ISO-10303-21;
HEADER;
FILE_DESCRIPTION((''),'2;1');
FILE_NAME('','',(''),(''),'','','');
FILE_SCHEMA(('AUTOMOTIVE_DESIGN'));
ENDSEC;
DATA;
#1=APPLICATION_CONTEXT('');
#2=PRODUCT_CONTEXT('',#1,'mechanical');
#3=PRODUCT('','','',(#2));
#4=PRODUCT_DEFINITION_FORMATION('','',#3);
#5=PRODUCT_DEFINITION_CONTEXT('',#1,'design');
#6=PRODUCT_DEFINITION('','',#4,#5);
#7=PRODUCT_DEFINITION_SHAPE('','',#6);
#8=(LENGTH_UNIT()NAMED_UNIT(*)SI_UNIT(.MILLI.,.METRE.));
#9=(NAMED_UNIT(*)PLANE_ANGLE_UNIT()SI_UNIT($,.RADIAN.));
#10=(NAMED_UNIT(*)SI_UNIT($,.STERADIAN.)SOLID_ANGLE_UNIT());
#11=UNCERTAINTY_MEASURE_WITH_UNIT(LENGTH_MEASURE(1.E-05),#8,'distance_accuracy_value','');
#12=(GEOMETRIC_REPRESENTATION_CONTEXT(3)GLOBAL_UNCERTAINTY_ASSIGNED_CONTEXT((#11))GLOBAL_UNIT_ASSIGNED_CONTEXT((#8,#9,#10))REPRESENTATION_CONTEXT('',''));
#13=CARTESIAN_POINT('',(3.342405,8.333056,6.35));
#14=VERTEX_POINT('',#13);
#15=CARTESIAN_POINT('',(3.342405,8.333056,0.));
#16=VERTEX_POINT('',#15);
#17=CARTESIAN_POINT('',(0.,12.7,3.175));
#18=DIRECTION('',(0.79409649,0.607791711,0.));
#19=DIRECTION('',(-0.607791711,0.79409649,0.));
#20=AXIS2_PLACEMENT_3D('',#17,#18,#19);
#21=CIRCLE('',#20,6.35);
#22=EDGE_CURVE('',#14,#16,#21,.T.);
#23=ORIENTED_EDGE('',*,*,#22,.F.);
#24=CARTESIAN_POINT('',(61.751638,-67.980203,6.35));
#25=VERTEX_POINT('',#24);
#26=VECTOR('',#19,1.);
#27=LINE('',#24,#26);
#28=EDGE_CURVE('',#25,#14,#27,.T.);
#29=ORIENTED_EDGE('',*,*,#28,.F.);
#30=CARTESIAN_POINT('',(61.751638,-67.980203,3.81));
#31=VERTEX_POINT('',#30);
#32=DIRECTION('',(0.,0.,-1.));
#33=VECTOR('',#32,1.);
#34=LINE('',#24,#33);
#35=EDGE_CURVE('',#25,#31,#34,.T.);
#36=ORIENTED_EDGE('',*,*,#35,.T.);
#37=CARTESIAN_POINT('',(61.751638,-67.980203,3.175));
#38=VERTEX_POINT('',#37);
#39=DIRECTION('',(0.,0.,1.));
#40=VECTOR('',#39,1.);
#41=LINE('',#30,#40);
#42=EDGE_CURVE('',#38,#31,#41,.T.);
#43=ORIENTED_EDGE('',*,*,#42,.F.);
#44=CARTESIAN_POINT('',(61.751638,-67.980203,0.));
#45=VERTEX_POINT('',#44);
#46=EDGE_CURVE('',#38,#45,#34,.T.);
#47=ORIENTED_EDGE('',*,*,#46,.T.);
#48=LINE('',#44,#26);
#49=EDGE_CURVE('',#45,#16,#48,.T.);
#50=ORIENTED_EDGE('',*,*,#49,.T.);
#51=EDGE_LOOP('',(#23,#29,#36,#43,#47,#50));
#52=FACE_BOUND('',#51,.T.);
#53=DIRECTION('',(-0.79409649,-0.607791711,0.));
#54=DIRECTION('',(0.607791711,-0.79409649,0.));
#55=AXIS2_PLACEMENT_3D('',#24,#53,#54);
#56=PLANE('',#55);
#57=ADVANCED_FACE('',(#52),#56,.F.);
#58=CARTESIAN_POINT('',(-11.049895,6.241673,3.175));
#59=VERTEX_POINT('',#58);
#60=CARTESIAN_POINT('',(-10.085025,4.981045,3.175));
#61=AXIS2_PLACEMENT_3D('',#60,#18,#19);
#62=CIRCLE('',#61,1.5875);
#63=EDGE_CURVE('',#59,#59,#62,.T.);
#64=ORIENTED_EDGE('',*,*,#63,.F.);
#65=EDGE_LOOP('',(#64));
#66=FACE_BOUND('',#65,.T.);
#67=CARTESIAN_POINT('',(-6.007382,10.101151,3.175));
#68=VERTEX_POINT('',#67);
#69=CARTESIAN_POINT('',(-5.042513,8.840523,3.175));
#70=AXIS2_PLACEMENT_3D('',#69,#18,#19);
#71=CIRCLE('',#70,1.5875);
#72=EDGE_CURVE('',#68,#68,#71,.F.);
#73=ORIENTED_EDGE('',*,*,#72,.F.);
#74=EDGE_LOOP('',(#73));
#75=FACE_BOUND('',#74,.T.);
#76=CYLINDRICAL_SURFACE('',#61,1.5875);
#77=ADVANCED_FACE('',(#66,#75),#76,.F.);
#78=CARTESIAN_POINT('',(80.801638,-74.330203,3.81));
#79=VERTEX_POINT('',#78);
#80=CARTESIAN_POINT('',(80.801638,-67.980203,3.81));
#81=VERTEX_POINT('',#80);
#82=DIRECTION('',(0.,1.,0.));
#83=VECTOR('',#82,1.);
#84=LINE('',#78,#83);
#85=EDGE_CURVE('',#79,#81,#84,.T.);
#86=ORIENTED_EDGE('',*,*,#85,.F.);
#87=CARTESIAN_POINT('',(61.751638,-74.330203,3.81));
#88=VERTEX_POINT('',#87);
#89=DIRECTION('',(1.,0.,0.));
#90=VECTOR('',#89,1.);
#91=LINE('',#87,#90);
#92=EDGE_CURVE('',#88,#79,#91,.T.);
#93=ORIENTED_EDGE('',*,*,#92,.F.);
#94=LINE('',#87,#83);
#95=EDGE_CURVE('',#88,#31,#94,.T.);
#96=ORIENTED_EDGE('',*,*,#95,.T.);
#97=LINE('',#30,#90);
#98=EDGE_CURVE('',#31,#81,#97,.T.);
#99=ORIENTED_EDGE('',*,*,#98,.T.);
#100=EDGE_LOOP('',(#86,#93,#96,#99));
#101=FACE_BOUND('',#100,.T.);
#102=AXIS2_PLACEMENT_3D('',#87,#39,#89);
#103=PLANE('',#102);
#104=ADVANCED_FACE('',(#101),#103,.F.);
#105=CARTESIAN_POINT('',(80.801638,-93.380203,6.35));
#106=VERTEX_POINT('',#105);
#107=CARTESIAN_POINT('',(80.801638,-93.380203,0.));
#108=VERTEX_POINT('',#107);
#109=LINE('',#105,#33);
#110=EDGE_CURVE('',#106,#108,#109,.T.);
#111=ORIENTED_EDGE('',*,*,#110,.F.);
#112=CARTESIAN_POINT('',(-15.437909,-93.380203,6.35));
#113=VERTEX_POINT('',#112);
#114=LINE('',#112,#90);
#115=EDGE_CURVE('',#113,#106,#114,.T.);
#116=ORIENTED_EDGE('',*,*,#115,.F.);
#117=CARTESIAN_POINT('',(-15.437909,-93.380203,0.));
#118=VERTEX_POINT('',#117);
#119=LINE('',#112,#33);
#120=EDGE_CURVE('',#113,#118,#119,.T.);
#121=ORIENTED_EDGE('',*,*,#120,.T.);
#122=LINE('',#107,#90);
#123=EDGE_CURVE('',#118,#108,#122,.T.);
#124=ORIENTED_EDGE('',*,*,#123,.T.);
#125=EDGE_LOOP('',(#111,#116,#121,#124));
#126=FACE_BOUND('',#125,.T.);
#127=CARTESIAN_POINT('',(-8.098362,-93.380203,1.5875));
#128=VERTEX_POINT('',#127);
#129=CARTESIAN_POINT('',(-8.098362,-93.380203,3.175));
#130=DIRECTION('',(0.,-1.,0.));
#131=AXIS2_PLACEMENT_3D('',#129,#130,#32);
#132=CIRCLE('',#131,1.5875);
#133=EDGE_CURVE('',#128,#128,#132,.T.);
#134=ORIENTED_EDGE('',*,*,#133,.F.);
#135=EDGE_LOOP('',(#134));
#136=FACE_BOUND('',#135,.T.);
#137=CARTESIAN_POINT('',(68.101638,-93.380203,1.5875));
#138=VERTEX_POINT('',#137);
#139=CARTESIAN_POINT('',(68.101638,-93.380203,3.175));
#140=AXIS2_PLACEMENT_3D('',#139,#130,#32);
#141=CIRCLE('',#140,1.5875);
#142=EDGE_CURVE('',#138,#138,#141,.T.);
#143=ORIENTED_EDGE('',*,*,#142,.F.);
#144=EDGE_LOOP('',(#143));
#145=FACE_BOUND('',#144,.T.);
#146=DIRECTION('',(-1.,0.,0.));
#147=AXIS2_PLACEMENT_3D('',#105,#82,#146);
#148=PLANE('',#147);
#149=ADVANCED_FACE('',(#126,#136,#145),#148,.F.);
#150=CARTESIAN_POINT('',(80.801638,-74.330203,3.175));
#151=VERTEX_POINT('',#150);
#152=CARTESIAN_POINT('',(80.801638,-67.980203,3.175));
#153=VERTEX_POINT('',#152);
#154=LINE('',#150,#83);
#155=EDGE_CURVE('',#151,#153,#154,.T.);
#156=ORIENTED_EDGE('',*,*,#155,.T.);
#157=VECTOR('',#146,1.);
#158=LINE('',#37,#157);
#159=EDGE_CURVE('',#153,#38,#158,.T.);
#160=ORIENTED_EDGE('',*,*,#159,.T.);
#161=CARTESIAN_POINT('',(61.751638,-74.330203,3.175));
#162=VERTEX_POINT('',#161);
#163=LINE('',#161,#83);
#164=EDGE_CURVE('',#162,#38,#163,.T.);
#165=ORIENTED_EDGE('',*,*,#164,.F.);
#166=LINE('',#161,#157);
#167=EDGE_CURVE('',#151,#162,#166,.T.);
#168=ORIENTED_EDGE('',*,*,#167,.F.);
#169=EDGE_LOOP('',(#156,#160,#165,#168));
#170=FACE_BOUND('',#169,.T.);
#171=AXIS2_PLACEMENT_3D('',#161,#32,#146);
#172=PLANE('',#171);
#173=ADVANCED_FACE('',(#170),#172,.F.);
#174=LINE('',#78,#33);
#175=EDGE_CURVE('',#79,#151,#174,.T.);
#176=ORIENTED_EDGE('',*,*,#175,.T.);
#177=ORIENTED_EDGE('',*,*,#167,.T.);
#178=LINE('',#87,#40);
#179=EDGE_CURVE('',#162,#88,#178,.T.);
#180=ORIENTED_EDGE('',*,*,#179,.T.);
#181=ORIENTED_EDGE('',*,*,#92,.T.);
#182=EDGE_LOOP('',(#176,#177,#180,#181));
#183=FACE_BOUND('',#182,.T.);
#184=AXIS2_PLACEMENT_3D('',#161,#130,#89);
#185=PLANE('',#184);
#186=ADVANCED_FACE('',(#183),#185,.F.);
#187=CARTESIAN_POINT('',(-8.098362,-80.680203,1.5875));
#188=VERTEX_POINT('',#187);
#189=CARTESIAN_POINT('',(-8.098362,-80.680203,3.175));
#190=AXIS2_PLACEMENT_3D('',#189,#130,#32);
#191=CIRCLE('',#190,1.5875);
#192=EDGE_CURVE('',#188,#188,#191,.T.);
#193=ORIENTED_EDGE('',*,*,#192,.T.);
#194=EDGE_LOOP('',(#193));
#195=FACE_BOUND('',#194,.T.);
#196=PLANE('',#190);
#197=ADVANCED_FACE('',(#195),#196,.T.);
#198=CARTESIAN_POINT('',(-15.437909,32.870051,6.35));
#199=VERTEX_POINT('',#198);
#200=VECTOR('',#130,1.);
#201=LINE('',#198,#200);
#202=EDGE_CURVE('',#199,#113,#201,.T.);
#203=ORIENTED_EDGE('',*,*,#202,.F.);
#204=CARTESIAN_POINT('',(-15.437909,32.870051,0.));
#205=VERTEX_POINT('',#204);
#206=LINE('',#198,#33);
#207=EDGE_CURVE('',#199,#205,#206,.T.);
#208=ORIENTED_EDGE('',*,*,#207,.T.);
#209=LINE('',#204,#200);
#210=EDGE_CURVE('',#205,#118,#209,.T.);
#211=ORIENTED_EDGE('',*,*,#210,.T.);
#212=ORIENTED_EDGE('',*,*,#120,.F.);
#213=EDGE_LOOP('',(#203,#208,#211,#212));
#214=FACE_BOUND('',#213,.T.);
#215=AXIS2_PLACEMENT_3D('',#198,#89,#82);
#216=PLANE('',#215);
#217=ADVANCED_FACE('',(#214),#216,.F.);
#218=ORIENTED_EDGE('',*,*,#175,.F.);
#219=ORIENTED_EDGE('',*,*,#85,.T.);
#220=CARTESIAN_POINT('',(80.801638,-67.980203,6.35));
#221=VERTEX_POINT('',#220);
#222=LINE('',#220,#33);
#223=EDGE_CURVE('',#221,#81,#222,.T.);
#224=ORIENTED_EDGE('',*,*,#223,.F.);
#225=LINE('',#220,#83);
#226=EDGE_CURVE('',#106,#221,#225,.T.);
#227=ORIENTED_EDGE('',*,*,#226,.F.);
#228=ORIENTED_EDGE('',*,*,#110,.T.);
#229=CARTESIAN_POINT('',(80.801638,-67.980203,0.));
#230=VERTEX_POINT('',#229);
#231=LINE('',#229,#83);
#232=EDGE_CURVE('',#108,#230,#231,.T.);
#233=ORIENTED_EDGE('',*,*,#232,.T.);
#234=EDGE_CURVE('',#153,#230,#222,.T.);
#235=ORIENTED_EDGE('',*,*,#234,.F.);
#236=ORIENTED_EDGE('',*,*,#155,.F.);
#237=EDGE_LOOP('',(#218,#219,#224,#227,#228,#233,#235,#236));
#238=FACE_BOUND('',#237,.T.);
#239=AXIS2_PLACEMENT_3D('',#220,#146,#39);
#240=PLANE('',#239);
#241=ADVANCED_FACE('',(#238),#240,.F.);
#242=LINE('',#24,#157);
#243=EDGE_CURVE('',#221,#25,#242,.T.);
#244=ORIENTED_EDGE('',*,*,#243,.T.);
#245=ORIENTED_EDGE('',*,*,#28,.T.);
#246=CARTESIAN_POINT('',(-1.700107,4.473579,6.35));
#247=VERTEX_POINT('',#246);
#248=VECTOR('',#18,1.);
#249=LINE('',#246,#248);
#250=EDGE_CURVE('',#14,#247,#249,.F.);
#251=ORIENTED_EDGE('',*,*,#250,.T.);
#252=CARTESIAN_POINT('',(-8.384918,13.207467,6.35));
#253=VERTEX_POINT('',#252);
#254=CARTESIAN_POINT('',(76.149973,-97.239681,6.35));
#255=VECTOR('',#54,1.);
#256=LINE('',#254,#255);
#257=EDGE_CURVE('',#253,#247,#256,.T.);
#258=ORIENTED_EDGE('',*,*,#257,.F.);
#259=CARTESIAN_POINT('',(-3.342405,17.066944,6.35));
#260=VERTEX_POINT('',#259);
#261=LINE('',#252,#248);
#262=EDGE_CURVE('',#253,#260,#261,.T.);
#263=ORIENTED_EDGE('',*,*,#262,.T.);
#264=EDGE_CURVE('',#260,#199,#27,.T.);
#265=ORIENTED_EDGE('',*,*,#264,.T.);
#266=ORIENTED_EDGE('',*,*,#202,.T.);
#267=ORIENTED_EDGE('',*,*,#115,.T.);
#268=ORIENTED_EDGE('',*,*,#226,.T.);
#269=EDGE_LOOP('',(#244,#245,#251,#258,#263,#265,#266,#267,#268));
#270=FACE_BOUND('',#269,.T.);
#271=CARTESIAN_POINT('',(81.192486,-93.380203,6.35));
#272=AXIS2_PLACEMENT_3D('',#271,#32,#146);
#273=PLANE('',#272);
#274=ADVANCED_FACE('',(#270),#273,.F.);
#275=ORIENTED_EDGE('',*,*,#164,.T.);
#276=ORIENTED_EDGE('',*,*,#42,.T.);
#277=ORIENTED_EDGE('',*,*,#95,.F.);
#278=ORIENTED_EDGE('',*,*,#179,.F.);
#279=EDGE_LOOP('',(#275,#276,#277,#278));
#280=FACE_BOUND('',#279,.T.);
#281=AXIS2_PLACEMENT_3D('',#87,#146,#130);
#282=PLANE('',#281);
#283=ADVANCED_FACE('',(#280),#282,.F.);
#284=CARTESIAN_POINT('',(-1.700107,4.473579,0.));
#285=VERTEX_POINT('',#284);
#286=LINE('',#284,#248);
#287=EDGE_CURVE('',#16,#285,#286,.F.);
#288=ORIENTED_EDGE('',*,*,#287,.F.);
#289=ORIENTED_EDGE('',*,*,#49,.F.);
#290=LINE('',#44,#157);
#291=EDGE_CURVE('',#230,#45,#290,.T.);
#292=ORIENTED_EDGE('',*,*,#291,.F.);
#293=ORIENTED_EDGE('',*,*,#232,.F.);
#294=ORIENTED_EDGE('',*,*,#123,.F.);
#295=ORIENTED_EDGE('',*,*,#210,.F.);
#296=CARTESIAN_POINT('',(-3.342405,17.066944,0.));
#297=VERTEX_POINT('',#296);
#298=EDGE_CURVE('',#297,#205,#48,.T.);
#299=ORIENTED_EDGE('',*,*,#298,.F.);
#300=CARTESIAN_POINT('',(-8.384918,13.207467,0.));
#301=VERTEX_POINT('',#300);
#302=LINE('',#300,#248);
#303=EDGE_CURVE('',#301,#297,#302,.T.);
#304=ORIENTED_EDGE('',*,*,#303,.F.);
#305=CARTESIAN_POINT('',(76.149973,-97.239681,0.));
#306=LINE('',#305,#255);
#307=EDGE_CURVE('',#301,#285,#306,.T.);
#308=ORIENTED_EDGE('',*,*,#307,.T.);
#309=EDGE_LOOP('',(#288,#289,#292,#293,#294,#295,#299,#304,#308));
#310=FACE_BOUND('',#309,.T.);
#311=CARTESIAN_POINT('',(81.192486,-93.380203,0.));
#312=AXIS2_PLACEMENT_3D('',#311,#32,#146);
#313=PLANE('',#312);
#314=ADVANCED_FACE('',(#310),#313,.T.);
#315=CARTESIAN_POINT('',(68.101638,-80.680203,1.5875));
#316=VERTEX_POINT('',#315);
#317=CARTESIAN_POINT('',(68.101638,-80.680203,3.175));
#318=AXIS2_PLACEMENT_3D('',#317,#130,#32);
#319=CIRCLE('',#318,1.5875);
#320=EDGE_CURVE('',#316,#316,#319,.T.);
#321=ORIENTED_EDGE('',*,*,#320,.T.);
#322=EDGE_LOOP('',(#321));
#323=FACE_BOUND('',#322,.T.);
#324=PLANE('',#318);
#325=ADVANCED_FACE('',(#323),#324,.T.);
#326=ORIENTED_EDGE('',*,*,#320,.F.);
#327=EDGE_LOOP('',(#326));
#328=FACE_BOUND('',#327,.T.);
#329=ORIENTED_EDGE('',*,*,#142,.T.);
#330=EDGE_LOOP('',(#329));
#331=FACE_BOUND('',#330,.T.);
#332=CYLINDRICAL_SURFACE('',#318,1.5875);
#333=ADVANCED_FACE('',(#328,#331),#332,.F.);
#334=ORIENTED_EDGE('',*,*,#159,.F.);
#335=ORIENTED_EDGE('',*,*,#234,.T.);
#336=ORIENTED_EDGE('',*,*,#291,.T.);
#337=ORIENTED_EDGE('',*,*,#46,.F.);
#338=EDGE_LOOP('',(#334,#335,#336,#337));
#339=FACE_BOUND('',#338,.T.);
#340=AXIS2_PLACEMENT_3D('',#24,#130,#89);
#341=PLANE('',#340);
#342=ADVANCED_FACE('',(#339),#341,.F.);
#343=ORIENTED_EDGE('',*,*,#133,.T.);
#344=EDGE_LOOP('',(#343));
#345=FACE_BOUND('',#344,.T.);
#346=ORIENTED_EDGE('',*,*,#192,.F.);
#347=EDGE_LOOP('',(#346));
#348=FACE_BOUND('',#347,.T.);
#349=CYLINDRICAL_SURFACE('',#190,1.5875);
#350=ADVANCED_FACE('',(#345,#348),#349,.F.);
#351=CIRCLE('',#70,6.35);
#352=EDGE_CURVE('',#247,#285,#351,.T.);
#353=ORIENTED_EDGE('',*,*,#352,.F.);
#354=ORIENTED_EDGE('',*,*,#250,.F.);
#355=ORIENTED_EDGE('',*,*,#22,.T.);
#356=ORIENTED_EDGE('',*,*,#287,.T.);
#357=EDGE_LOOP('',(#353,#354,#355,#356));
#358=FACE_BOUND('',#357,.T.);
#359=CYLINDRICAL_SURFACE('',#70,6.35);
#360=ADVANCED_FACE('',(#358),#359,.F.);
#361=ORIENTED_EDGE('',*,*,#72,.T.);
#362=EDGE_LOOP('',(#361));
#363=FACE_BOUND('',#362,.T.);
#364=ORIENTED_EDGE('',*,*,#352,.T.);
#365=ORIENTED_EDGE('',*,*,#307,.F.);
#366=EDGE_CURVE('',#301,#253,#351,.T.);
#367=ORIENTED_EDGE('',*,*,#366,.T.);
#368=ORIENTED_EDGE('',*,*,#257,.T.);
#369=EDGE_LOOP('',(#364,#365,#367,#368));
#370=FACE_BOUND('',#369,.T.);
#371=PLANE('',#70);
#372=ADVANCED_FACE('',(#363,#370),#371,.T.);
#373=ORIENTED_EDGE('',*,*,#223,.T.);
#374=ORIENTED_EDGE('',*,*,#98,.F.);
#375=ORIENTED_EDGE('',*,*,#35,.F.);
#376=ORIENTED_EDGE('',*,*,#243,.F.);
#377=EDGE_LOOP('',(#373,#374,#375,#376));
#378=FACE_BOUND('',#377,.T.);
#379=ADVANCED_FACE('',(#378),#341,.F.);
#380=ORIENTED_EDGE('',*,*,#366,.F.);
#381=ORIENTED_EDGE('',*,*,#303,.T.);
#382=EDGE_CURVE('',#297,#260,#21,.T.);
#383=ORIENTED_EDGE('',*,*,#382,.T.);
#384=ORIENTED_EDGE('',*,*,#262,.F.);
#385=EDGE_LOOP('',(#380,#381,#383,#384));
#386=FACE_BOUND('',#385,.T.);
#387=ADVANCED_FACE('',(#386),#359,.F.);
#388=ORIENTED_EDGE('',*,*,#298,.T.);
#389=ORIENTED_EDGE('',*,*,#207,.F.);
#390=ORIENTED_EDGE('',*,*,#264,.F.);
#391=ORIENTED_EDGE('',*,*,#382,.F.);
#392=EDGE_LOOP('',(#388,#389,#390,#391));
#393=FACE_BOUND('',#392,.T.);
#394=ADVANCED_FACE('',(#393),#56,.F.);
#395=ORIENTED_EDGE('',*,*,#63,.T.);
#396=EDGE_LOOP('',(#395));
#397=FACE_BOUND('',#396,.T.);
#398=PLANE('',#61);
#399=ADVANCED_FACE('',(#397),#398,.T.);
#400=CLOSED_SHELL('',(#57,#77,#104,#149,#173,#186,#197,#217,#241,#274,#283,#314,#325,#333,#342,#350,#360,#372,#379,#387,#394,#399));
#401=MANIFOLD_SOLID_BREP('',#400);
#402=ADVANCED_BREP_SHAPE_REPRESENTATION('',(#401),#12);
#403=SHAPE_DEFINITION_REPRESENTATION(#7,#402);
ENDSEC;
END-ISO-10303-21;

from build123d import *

# Parameters (mm, degrees)
EXTRUDE1_DEPTH = 6.35
SKETCH3_R      = 1.5875
EXTRUDE2_DEPTH = 12.7
SKETCH4_R      = 1.5875
EXTRUDE3_DEPTH = 12.7
SKETCH6_W      = 19.05
SKETCH6_H      = 0.635
EXTRUDE4_DEPTH = 6.35
SKETCH8_R      = 6.35
EXTRUDE5_DEPTH = 6.35


with BuildPart() as part:
    # Sketch1 → Extrude1 (new body)
    with BuildSketch(Plane.XY):
        Polygon((-15.437909459, 32.870050856), (-15.437909459, -93.380203425), (61.751637834, -93.380203425), (80.801637834, -93.380203425), (80.801637834, -67.980203425), (61.751637834, -67.980203425), align=None)
    extrude(amount=EXTRUDE1_DEPTH)

    # Sketch3 → Extrude2 (cut)
    with BuildSketch(Plane.XZ.offset(93.380203425)):
        with Locations(Location((-8.098362166, 3.175, 0), (0, 0, 270))):
            Circle(SKETCH3_R)
        with Locations(Location((68.101637834, 3.175, 0), (0, 0, 270))):
            Circle(SKETCH3_R)
    extrude(amount=-EXTRUDE2_DEPTH, mode=Mode.SUBTRACT)

    # Sketch4 → Extrude3 (cut)
    with BuildSketch(Plane(origin=(6.12959486, 4.691516702, 0), x_dir=(0, 0, -1), z_dir=(0.7940964904073088, 0.6077917109691402, 0))):
        with Locations(Location((-3.175, 10.085025428, 0), (0, 0, 90))):
            Circle(SKETCH4_R)
    extrude(amount=-EXTRUDE3_DEPTH, mode=Mode.SUBTRACT)

    # Sketch6 → Extrude4 (cut)
    with BuildSketch(Plane(origin=(0, -67.980203425, 0), x_dir=(1, 0, 0), z_dir=(0, 1, 0))):
        with Locations((71.276637834, -3.4925)):
            Rectangle(SKETCH6_W, SKETCH6_H)
    extrude(amount=-EXTRUDE4_DEPTH, mode=Mode.SUBTRACT)

    # Sketch8 → Extrude5 (cut)
    with BuildSketch(Plane(origin=(6.12959486, 4.691516702, 0), x_dir=(0, 0, -1), z_dir=(0.7940964904073088, 0.6077917109691404, 0))):
        with Locations((-3.175, 10.085025428)):
            Circle(SKETCH8_R)
    extrude(amount=-EXTRUDE5_DEPTH, mode=Mode.SUBTRACT)


solid = part.part
